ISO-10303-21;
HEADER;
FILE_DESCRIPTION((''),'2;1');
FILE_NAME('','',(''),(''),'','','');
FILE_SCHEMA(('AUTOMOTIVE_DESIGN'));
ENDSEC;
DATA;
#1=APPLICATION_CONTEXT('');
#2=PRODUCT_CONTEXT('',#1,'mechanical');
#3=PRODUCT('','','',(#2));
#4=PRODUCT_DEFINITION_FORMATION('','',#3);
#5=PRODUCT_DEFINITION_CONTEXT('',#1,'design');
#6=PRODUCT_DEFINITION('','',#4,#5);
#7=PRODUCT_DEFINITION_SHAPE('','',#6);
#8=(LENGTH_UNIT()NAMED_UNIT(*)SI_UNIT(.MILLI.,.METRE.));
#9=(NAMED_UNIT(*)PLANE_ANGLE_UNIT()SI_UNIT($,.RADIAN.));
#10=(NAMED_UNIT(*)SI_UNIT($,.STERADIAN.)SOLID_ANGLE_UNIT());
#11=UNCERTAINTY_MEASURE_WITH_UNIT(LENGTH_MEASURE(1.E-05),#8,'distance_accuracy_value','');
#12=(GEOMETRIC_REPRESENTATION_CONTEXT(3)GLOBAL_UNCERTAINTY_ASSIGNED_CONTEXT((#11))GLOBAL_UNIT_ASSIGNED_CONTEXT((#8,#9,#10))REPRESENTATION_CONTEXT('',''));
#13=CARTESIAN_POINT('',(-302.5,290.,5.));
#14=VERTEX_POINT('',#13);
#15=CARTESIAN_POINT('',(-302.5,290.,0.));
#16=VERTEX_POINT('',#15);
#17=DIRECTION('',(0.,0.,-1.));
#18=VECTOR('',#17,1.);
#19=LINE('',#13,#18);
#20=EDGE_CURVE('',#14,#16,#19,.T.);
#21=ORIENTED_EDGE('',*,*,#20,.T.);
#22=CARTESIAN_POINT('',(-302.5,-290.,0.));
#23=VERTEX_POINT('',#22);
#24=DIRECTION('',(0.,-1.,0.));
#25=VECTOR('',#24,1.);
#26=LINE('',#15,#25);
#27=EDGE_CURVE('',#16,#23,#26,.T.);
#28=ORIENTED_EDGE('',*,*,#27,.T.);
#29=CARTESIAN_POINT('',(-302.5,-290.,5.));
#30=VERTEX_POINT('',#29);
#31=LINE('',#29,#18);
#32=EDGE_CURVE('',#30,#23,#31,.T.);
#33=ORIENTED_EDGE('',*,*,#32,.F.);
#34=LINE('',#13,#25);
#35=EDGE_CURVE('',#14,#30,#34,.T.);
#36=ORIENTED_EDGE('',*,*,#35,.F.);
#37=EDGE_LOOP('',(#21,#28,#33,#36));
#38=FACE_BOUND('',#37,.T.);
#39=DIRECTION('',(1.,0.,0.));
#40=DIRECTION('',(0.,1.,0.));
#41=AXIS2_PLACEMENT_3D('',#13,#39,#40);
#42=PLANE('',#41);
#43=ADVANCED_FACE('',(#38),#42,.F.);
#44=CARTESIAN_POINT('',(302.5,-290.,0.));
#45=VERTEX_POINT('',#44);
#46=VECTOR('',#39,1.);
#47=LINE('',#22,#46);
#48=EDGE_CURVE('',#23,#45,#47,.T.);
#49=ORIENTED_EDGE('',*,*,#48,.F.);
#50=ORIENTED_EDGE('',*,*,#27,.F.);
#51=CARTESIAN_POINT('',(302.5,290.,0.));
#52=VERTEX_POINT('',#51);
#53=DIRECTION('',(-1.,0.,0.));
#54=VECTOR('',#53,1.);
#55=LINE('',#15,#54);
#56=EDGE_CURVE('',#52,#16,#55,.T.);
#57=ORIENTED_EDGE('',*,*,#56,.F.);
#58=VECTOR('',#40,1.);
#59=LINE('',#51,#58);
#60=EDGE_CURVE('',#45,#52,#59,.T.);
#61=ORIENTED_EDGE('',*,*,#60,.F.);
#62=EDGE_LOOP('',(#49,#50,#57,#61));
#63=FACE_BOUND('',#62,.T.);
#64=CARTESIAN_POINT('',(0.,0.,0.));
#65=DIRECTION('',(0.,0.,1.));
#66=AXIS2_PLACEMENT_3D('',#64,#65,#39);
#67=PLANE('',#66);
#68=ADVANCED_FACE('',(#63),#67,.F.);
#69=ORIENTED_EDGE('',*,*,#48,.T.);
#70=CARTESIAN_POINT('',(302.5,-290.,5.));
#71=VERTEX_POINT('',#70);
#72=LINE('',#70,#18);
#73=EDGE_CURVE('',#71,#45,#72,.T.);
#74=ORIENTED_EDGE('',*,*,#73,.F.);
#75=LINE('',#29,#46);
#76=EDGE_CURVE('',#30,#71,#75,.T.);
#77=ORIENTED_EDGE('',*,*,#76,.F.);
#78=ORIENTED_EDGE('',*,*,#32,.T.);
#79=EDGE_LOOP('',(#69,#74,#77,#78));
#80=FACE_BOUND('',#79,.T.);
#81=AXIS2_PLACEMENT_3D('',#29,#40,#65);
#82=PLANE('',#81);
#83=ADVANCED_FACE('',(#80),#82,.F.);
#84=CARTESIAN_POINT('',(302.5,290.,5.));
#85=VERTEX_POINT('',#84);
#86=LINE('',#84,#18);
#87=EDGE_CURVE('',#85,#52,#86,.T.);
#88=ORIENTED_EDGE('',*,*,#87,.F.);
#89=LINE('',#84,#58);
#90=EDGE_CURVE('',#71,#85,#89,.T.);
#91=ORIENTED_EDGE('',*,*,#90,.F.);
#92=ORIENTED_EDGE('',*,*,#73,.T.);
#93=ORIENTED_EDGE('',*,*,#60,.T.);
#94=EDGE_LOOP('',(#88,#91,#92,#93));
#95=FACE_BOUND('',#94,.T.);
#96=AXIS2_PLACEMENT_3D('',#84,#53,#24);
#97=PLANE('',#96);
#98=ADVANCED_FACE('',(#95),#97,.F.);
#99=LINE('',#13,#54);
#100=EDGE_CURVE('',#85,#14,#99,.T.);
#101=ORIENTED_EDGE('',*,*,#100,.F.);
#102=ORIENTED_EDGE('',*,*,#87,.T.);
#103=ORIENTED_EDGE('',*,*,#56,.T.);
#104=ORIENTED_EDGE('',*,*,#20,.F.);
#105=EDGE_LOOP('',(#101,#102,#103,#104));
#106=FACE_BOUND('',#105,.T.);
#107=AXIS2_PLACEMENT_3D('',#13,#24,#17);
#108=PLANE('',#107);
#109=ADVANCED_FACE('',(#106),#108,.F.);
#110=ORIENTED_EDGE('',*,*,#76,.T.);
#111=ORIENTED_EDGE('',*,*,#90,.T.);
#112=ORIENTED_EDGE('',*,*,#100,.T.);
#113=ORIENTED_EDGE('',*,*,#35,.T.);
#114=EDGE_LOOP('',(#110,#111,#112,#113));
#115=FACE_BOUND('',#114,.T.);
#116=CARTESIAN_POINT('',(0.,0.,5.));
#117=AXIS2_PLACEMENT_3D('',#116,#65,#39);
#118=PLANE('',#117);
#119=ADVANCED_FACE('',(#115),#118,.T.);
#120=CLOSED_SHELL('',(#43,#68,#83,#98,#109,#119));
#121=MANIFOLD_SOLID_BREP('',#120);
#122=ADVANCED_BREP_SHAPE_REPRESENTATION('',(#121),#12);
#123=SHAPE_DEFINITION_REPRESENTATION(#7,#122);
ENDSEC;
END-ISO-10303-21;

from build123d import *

# Parameters (mm, degrees)
ESQUISSE1_W        = 605
ESQUISSE1_H        = 580
BOSS_EXTRU_1_DEPTH = 5


with BuildPart() as part:
    # Esquisse1 → Boss.-Extru.1 (new body)
    with BuildSketch(Plane.XY):
        Rectangle(ESQUISSE1_W, ESQUISSE1_H)
    extrude(amount=BOSS_EXTRU_1_DEPTH)


solid = part.part
